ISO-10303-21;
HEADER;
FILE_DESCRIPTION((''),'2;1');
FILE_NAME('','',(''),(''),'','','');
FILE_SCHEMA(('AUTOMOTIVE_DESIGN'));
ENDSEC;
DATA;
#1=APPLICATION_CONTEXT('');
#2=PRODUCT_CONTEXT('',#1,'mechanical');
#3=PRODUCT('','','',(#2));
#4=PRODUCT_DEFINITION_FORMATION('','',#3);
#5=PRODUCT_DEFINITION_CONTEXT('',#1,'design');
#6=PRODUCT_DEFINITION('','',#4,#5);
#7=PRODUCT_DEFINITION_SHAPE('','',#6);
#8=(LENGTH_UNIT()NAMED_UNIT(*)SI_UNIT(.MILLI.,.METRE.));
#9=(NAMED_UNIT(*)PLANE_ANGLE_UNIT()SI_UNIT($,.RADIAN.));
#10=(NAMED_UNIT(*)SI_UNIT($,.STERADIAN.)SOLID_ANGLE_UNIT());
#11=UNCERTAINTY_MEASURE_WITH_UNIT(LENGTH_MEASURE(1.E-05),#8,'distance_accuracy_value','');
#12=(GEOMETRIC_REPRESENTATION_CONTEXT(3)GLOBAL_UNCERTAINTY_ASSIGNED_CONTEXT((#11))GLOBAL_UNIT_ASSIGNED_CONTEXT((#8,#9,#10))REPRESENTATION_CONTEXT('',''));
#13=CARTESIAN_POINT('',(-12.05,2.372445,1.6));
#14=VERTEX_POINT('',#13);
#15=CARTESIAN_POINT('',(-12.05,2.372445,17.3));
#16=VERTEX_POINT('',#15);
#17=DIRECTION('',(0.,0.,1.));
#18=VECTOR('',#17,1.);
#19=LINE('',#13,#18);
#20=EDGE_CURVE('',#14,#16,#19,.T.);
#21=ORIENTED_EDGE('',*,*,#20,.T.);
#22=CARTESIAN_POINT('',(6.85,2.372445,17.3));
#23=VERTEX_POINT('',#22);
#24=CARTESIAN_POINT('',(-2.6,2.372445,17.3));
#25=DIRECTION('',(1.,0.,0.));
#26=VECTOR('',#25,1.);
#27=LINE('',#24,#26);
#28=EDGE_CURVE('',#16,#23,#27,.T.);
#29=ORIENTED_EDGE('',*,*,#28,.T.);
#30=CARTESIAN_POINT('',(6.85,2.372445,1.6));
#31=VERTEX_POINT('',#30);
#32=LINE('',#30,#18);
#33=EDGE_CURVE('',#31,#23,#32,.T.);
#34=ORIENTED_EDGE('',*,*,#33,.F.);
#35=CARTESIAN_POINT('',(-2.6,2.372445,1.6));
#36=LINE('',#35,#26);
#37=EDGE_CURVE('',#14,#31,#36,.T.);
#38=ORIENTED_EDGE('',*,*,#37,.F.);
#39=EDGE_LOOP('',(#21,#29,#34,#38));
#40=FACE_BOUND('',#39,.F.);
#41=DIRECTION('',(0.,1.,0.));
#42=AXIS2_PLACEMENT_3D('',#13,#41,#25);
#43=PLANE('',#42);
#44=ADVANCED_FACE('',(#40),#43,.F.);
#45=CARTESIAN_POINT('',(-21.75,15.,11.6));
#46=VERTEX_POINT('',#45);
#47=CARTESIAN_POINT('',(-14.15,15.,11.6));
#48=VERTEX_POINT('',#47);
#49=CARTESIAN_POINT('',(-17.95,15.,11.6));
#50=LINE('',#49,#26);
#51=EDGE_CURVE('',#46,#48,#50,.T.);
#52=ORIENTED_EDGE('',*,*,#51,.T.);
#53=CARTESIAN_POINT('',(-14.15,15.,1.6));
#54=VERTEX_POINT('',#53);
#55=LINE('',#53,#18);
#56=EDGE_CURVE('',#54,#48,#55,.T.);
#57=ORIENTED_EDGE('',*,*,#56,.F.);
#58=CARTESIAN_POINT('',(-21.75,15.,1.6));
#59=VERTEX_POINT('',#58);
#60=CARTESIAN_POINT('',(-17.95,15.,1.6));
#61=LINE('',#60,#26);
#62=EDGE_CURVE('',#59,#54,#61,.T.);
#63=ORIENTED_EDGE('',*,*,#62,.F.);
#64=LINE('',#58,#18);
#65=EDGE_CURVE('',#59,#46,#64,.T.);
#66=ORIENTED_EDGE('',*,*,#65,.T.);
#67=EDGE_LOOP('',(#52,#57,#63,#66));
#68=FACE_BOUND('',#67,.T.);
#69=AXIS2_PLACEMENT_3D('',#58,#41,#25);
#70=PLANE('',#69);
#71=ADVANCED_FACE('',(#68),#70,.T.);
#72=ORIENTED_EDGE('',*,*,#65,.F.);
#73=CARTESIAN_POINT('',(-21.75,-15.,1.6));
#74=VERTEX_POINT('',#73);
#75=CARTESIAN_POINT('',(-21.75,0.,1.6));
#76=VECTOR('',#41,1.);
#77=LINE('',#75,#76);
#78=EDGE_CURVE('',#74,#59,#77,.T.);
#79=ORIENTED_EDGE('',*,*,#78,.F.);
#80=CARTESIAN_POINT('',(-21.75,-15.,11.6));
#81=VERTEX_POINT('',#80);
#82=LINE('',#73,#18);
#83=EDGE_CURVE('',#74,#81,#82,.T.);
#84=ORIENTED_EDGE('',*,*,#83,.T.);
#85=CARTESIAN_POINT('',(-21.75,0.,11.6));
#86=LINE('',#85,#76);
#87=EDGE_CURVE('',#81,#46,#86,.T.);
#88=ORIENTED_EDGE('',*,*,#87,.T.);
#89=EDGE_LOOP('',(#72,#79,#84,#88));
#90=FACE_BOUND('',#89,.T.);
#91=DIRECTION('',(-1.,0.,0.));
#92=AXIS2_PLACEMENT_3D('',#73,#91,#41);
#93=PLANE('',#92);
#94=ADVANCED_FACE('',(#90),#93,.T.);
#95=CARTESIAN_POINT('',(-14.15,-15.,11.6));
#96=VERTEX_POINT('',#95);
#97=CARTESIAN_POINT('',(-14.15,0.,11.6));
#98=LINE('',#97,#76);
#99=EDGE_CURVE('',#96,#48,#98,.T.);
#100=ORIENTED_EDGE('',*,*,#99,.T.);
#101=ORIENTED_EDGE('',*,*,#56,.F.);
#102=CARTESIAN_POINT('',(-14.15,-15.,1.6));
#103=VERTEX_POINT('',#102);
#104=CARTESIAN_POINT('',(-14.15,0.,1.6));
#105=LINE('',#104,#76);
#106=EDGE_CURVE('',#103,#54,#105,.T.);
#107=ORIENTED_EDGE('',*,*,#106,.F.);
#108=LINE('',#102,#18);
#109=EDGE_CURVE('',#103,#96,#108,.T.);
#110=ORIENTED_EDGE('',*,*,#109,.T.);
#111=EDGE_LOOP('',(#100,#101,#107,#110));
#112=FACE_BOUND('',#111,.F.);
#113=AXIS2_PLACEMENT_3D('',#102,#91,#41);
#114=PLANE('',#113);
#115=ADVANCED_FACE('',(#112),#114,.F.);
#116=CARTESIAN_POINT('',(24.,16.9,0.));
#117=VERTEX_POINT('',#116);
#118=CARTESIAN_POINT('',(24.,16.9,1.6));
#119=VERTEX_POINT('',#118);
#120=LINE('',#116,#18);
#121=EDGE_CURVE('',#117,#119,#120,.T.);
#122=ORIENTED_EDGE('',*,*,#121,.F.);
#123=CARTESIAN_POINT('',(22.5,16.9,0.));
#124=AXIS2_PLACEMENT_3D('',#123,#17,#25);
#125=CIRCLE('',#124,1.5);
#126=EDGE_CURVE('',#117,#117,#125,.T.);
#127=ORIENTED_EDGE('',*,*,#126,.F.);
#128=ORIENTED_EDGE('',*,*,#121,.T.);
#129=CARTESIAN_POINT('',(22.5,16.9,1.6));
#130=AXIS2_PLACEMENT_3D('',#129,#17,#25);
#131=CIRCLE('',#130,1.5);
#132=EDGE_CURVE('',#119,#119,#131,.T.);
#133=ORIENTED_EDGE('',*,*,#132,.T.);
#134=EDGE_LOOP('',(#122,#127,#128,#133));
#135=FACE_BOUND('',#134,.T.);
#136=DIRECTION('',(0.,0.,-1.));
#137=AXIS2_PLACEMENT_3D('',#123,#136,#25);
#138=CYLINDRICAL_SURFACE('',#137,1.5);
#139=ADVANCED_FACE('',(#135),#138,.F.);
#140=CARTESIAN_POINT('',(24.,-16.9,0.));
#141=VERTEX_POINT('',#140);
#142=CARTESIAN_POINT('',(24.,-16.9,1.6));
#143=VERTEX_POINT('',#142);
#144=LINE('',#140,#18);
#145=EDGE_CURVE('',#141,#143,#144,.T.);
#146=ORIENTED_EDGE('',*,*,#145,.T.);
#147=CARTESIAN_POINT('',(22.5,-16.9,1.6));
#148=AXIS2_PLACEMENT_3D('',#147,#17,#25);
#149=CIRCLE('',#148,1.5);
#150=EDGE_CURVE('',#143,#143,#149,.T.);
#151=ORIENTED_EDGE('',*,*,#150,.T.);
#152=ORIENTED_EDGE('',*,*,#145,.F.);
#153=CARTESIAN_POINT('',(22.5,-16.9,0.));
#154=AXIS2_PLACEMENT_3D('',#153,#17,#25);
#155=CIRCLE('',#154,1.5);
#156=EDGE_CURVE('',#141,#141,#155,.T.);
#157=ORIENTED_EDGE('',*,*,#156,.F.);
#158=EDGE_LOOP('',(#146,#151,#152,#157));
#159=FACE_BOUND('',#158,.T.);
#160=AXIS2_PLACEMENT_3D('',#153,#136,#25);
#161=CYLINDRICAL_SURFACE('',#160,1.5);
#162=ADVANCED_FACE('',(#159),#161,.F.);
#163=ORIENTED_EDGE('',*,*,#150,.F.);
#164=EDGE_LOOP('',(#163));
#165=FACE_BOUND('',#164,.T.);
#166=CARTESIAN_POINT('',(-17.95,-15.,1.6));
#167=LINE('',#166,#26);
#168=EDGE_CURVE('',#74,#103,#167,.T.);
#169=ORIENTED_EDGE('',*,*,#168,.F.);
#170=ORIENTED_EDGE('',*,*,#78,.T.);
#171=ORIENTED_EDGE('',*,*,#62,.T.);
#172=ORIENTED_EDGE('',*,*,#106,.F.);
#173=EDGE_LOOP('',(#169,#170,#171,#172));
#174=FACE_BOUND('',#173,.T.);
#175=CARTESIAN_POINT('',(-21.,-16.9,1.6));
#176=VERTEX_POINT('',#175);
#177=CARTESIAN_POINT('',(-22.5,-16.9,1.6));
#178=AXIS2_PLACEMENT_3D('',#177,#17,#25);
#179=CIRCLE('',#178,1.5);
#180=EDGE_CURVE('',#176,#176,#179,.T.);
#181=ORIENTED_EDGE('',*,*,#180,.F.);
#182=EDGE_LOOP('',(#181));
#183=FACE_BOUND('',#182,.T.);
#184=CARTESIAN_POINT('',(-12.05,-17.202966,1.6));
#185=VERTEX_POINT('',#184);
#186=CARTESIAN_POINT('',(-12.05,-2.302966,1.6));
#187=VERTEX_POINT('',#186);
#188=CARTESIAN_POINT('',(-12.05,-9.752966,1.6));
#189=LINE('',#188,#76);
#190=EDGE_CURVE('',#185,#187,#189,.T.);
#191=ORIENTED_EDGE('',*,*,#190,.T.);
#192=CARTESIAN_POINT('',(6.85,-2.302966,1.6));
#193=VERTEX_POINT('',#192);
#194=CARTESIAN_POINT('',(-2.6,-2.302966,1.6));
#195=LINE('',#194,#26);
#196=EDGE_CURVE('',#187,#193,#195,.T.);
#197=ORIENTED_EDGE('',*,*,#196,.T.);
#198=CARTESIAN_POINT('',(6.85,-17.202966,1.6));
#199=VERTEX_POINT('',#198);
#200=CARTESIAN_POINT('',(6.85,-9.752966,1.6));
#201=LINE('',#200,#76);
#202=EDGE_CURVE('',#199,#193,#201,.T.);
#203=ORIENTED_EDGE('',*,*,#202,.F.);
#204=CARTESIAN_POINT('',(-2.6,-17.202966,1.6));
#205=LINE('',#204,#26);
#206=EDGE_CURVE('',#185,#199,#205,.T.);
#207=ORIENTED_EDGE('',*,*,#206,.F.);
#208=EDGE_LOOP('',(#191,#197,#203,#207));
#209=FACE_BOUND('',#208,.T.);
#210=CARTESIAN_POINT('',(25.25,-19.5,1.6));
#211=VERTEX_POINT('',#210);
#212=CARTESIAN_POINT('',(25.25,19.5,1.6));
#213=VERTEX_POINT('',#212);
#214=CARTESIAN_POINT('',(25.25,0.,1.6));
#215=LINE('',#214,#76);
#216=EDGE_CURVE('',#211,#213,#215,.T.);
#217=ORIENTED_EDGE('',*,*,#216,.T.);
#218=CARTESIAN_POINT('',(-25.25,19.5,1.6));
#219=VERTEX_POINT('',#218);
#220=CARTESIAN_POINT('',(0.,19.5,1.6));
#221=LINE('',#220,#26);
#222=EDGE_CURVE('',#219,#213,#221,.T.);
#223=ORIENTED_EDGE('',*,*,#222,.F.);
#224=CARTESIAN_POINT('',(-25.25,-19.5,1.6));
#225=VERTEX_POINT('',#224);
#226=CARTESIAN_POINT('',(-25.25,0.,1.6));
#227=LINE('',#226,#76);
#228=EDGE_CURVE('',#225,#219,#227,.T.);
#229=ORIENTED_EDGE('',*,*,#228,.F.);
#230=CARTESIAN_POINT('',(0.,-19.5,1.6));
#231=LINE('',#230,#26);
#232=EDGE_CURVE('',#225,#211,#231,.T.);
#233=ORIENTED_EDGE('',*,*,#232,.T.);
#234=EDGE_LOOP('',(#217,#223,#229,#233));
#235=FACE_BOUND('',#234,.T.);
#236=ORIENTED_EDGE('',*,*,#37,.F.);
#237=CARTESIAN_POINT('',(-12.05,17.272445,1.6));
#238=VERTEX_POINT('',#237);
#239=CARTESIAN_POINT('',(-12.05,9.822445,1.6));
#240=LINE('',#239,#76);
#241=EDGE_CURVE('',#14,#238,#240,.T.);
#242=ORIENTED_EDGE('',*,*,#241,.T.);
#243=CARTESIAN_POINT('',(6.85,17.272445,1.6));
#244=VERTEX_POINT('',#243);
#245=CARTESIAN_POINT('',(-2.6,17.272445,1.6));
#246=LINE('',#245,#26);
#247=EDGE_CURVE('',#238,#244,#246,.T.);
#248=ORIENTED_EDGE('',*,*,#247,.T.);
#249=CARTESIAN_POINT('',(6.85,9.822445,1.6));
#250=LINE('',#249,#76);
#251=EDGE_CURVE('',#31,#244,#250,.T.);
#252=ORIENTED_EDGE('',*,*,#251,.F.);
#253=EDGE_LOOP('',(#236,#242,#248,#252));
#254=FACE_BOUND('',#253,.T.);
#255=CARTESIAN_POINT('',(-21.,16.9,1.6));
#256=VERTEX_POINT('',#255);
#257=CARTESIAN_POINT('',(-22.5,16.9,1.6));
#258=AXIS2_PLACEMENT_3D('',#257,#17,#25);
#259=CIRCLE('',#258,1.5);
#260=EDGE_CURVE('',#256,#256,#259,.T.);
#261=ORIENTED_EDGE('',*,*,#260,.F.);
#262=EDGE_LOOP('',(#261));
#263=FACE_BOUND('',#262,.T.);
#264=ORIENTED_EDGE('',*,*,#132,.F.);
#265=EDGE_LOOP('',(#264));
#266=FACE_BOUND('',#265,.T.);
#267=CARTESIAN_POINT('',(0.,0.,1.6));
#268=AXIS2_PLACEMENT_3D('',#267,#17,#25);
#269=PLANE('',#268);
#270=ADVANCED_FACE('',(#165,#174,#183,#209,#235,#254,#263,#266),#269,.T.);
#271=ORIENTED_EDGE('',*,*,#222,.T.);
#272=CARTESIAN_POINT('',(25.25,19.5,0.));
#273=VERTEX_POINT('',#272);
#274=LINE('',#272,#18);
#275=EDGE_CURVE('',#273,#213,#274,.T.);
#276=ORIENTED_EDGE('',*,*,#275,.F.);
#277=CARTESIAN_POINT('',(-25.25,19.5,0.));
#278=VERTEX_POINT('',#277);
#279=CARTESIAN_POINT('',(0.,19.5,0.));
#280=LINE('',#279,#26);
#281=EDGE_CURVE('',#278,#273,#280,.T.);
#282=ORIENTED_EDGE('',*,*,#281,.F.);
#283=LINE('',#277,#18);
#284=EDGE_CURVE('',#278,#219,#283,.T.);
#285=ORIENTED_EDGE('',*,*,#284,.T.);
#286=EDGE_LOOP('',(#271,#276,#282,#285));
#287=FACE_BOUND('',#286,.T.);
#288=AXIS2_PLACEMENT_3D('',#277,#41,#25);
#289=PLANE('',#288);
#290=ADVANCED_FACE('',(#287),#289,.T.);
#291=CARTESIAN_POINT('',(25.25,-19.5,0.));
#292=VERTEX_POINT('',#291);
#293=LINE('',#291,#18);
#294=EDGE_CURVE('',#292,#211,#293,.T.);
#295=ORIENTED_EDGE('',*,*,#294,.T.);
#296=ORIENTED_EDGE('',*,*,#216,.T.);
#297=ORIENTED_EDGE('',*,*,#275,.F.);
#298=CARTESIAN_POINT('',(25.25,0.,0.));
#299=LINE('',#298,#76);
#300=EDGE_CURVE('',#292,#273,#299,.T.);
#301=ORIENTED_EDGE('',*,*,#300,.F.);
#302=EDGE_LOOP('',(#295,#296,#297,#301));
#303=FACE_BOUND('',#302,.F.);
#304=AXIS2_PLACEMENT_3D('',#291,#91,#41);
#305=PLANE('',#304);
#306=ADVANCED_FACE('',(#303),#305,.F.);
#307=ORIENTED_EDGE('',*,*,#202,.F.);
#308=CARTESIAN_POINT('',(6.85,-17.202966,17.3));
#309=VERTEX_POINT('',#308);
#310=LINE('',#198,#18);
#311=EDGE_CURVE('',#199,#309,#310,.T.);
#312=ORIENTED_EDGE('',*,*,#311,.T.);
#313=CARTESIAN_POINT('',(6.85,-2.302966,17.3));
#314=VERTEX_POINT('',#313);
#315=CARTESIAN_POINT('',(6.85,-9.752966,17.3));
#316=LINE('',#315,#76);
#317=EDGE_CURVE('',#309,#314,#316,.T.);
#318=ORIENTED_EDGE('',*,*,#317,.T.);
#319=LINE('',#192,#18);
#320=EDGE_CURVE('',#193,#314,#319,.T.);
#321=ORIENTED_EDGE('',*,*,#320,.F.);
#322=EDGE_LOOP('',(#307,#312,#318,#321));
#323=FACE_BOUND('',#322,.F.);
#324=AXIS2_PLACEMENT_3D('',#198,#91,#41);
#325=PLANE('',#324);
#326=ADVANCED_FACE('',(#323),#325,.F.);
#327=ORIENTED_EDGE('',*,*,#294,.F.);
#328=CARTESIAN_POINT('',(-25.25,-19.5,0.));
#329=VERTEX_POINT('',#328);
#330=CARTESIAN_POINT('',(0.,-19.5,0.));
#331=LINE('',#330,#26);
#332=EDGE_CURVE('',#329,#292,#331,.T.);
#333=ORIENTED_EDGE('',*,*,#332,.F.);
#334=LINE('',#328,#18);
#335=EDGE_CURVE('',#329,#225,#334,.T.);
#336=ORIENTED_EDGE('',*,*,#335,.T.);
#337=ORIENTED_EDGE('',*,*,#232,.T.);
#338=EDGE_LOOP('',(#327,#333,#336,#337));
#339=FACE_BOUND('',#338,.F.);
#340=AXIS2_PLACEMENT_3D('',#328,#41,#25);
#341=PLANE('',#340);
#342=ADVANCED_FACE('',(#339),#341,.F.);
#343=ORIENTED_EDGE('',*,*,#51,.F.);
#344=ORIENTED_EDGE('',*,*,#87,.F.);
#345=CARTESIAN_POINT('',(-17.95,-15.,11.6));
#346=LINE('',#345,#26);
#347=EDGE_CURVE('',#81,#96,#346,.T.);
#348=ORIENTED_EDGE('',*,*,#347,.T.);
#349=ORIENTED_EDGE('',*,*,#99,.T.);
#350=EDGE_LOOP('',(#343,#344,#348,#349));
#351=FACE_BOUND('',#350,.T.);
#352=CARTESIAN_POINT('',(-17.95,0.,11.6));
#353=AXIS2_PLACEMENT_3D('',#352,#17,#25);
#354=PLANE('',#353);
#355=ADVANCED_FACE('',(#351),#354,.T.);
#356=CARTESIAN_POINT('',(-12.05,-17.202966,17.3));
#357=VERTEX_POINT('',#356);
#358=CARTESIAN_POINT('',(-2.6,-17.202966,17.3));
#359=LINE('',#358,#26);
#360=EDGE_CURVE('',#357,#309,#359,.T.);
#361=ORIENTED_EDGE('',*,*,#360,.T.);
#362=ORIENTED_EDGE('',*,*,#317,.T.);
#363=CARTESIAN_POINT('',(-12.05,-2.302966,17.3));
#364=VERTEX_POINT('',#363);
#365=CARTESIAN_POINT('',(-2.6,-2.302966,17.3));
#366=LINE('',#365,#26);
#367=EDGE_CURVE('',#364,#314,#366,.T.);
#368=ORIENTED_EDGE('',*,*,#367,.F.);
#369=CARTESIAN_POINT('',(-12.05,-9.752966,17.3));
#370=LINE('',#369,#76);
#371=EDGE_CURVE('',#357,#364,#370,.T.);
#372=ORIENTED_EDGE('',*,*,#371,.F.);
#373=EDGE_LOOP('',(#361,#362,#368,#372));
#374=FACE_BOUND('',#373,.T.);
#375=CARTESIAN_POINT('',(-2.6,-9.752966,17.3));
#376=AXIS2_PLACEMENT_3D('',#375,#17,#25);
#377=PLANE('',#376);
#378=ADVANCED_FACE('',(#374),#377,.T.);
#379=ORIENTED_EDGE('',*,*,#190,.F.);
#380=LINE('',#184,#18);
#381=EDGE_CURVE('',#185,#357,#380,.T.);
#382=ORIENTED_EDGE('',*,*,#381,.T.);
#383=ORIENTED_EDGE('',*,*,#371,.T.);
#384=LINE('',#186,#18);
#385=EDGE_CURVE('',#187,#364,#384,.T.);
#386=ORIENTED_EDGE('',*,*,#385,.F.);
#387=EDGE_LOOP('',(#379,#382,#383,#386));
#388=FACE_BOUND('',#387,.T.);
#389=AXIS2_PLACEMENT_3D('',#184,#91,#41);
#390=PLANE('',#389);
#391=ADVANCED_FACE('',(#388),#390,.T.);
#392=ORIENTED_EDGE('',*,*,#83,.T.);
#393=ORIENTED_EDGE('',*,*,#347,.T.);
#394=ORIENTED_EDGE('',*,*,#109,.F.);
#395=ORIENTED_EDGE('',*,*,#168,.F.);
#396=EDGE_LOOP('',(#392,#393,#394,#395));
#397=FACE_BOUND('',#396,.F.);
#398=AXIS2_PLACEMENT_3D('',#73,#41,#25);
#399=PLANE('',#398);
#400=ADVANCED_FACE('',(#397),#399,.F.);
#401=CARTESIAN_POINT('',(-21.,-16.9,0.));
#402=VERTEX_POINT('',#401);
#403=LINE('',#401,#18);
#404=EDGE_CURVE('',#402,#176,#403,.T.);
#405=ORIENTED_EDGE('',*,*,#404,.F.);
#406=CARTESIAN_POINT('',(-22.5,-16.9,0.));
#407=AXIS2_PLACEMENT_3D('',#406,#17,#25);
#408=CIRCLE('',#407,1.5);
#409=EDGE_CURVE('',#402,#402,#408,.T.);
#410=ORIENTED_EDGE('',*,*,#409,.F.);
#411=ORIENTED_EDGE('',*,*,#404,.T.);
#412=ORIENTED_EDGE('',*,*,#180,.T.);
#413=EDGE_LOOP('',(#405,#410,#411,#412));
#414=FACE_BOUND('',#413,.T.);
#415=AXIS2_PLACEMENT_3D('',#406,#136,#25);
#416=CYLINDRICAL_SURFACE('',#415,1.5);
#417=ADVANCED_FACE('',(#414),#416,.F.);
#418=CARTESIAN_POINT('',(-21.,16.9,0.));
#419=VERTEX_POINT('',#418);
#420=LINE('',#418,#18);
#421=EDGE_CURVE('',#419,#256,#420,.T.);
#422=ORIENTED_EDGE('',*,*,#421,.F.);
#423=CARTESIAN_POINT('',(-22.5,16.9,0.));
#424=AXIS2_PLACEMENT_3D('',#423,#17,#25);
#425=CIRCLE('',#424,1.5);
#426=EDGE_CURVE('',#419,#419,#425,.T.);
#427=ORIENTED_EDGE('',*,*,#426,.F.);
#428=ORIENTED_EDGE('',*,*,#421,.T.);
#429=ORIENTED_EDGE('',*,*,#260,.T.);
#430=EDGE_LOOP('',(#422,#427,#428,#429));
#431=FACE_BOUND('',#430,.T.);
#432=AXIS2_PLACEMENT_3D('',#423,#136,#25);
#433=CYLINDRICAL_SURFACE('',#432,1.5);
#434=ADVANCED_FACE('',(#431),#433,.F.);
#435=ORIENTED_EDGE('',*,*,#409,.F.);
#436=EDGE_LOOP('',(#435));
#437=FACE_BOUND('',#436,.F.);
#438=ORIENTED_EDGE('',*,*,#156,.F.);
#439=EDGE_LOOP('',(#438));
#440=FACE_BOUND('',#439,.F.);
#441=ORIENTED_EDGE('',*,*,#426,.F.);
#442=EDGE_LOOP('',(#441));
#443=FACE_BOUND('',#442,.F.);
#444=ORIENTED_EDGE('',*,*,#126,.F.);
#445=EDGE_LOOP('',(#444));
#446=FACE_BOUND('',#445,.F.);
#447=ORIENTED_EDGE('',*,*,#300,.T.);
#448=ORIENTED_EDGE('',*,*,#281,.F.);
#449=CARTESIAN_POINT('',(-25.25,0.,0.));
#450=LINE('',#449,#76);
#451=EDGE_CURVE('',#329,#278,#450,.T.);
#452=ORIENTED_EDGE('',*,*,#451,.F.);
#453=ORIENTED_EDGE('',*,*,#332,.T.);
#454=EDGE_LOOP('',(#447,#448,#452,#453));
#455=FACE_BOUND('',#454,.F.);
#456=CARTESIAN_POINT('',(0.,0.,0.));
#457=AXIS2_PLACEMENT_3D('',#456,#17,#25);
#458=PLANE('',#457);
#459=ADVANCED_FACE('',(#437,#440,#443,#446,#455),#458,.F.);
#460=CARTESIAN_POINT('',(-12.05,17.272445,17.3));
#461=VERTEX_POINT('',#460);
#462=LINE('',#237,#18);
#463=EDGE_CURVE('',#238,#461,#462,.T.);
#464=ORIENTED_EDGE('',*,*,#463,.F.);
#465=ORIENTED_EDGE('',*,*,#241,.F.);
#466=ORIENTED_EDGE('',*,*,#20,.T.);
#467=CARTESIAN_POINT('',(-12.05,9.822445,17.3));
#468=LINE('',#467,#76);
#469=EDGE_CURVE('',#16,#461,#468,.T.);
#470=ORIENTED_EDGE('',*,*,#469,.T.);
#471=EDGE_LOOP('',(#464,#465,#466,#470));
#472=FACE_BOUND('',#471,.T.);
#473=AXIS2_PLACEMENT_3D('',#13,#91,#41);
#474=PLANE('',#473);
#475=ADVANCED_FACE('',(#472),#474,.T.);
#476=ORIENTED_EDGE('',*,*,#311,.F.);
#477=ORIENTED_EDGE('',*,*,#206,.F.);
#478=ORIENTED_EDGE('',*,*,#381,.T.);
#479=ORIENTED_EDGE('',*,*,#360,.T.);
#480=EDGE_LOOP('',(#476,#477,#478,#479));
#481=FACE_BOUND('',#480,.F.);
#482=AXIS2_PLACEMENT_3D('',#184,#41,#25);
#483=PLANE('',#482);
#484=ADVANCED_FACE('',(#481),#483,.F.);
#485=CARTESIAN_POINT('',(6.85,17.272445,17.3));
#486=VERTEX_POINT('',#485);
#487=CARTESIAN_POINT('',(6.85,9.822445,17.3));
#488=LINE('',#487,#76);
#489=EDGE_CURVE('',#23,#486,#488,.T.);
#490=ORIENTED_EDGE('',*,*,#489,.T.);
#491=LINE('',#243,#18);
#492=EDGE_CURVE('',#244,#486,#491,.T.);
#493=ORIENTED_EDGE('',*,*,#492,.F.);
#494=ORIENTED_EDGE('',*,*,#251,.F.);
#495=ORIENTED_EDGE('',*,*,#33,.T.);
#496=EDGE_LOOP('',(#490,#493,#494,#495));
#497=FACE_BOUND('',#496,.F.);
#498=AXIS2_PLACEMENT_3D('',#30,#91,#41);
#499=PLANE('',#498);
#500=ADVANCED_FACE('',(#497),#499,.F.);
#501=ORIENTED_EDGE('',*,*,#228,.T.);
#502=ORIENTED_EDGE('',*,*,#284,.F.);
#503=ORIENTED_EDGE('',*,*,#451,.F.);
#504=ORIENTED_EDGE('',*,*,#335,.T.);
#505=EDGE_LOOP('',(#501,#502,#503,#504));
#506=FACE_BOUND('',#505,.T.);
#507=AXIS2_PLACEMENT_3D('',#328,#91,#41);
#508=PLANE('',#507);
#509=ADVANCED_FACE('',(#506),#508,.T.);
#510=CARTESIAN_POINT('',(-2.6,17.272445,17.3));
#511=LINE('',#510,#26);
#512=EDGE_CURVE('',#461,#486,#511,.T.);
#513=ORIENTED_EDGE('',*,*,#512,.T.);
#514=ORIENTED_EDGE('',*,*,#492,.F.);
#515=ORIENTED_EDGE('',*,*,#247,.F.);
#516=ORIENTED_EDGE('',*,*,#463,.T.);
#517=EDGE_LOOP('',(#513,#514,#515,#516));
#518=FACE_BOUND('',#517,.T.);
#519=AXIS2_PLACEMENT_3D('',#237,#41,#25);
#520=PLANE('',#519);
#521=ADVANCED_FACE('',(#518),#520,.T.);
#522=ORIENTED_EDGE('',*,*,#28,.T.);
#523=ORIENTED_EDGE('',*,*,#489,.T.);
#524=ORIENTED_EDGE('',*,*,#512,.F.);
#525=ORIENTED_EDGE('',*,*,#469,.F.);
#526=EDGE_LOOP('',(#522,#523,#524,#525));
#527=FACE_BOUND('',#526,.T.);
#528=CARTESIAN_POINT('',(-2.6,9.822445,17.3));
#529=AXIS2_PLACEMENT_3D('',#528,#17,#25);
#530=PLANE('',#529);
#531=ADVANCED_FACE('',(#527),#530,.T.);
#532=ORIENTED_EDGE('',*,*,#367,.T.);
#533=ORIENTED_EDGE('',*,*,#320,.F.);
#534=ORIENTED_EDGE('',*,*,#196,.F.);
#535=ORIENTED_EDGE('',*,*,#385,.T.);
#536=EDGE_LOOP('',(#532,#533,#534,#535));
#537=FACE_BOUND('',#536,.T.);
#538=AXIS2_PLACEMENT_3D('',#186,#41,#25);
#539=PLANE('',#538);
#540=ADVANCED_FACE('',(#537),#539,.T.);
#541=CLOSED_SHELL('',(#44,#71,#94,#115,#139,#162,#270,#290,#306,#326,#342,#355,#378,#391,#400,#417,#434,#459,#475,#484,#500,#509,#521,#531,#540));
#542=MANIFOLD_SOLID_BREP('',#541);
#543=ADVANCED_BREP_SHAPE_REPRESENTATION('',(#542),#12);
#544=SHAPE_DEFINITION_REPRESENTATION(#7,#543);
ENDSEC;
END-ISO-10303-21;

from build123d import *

# Parameters (mm, degrees)
F0_W     = 50.5
F0_H     = 39
F0_R     = 1.5
F1_DEPTH = 1.6
F2_W     = 18.9
F2_H     = 14.9
F3_DEPTH = 15.7
F4_W     = 7.6
F4_H     = 30
F5_DEPTH = 10


with BuildPart() as f1:
    # F0 (on Top) → F1 (new body)
    with BuildSketch(Plane.XY):
        Rectangle(F0_W, F0_H)
        with Locations((-22.5, -16.9)):
            Circle(F0_R, mode=Mode.SUBTRACT)
        with Locations((22.5, -16.9)):
            Circle(F0_R, mode=Mode.SUBTRACT)
        with Locations((-22.5, 16.9)):
            Circle(F0_R, mode=Mode.SUBTRACT)
        with Locations((22.5, 16.9)):
            Circle(F0_R, mode=Mode.SUBTRACT)
    extrude(amount=F1_DEPTH)

    # F2 (on face) → F3 (join)
    with BuildSketch(Plane.XY.offset(1.6)):
        with Locations((-2.6, 9.822445)):
            Rectangle(F2_W, F2_H)
        with Locations((-2.6, -9.752966)):
            Rectangle(F2_W, F2_H)
    extrude(amount=F3_DEPTH)

    # F4 (on face) → F5 (join)
    with BuildSketch(Plane.XY.offset(1.6)):
        with Locations((-17.95, 0)):
            Rectangle(F4_W, F4_H)
    extrude(amount=F5_DEPTH)


solid = f1.part
